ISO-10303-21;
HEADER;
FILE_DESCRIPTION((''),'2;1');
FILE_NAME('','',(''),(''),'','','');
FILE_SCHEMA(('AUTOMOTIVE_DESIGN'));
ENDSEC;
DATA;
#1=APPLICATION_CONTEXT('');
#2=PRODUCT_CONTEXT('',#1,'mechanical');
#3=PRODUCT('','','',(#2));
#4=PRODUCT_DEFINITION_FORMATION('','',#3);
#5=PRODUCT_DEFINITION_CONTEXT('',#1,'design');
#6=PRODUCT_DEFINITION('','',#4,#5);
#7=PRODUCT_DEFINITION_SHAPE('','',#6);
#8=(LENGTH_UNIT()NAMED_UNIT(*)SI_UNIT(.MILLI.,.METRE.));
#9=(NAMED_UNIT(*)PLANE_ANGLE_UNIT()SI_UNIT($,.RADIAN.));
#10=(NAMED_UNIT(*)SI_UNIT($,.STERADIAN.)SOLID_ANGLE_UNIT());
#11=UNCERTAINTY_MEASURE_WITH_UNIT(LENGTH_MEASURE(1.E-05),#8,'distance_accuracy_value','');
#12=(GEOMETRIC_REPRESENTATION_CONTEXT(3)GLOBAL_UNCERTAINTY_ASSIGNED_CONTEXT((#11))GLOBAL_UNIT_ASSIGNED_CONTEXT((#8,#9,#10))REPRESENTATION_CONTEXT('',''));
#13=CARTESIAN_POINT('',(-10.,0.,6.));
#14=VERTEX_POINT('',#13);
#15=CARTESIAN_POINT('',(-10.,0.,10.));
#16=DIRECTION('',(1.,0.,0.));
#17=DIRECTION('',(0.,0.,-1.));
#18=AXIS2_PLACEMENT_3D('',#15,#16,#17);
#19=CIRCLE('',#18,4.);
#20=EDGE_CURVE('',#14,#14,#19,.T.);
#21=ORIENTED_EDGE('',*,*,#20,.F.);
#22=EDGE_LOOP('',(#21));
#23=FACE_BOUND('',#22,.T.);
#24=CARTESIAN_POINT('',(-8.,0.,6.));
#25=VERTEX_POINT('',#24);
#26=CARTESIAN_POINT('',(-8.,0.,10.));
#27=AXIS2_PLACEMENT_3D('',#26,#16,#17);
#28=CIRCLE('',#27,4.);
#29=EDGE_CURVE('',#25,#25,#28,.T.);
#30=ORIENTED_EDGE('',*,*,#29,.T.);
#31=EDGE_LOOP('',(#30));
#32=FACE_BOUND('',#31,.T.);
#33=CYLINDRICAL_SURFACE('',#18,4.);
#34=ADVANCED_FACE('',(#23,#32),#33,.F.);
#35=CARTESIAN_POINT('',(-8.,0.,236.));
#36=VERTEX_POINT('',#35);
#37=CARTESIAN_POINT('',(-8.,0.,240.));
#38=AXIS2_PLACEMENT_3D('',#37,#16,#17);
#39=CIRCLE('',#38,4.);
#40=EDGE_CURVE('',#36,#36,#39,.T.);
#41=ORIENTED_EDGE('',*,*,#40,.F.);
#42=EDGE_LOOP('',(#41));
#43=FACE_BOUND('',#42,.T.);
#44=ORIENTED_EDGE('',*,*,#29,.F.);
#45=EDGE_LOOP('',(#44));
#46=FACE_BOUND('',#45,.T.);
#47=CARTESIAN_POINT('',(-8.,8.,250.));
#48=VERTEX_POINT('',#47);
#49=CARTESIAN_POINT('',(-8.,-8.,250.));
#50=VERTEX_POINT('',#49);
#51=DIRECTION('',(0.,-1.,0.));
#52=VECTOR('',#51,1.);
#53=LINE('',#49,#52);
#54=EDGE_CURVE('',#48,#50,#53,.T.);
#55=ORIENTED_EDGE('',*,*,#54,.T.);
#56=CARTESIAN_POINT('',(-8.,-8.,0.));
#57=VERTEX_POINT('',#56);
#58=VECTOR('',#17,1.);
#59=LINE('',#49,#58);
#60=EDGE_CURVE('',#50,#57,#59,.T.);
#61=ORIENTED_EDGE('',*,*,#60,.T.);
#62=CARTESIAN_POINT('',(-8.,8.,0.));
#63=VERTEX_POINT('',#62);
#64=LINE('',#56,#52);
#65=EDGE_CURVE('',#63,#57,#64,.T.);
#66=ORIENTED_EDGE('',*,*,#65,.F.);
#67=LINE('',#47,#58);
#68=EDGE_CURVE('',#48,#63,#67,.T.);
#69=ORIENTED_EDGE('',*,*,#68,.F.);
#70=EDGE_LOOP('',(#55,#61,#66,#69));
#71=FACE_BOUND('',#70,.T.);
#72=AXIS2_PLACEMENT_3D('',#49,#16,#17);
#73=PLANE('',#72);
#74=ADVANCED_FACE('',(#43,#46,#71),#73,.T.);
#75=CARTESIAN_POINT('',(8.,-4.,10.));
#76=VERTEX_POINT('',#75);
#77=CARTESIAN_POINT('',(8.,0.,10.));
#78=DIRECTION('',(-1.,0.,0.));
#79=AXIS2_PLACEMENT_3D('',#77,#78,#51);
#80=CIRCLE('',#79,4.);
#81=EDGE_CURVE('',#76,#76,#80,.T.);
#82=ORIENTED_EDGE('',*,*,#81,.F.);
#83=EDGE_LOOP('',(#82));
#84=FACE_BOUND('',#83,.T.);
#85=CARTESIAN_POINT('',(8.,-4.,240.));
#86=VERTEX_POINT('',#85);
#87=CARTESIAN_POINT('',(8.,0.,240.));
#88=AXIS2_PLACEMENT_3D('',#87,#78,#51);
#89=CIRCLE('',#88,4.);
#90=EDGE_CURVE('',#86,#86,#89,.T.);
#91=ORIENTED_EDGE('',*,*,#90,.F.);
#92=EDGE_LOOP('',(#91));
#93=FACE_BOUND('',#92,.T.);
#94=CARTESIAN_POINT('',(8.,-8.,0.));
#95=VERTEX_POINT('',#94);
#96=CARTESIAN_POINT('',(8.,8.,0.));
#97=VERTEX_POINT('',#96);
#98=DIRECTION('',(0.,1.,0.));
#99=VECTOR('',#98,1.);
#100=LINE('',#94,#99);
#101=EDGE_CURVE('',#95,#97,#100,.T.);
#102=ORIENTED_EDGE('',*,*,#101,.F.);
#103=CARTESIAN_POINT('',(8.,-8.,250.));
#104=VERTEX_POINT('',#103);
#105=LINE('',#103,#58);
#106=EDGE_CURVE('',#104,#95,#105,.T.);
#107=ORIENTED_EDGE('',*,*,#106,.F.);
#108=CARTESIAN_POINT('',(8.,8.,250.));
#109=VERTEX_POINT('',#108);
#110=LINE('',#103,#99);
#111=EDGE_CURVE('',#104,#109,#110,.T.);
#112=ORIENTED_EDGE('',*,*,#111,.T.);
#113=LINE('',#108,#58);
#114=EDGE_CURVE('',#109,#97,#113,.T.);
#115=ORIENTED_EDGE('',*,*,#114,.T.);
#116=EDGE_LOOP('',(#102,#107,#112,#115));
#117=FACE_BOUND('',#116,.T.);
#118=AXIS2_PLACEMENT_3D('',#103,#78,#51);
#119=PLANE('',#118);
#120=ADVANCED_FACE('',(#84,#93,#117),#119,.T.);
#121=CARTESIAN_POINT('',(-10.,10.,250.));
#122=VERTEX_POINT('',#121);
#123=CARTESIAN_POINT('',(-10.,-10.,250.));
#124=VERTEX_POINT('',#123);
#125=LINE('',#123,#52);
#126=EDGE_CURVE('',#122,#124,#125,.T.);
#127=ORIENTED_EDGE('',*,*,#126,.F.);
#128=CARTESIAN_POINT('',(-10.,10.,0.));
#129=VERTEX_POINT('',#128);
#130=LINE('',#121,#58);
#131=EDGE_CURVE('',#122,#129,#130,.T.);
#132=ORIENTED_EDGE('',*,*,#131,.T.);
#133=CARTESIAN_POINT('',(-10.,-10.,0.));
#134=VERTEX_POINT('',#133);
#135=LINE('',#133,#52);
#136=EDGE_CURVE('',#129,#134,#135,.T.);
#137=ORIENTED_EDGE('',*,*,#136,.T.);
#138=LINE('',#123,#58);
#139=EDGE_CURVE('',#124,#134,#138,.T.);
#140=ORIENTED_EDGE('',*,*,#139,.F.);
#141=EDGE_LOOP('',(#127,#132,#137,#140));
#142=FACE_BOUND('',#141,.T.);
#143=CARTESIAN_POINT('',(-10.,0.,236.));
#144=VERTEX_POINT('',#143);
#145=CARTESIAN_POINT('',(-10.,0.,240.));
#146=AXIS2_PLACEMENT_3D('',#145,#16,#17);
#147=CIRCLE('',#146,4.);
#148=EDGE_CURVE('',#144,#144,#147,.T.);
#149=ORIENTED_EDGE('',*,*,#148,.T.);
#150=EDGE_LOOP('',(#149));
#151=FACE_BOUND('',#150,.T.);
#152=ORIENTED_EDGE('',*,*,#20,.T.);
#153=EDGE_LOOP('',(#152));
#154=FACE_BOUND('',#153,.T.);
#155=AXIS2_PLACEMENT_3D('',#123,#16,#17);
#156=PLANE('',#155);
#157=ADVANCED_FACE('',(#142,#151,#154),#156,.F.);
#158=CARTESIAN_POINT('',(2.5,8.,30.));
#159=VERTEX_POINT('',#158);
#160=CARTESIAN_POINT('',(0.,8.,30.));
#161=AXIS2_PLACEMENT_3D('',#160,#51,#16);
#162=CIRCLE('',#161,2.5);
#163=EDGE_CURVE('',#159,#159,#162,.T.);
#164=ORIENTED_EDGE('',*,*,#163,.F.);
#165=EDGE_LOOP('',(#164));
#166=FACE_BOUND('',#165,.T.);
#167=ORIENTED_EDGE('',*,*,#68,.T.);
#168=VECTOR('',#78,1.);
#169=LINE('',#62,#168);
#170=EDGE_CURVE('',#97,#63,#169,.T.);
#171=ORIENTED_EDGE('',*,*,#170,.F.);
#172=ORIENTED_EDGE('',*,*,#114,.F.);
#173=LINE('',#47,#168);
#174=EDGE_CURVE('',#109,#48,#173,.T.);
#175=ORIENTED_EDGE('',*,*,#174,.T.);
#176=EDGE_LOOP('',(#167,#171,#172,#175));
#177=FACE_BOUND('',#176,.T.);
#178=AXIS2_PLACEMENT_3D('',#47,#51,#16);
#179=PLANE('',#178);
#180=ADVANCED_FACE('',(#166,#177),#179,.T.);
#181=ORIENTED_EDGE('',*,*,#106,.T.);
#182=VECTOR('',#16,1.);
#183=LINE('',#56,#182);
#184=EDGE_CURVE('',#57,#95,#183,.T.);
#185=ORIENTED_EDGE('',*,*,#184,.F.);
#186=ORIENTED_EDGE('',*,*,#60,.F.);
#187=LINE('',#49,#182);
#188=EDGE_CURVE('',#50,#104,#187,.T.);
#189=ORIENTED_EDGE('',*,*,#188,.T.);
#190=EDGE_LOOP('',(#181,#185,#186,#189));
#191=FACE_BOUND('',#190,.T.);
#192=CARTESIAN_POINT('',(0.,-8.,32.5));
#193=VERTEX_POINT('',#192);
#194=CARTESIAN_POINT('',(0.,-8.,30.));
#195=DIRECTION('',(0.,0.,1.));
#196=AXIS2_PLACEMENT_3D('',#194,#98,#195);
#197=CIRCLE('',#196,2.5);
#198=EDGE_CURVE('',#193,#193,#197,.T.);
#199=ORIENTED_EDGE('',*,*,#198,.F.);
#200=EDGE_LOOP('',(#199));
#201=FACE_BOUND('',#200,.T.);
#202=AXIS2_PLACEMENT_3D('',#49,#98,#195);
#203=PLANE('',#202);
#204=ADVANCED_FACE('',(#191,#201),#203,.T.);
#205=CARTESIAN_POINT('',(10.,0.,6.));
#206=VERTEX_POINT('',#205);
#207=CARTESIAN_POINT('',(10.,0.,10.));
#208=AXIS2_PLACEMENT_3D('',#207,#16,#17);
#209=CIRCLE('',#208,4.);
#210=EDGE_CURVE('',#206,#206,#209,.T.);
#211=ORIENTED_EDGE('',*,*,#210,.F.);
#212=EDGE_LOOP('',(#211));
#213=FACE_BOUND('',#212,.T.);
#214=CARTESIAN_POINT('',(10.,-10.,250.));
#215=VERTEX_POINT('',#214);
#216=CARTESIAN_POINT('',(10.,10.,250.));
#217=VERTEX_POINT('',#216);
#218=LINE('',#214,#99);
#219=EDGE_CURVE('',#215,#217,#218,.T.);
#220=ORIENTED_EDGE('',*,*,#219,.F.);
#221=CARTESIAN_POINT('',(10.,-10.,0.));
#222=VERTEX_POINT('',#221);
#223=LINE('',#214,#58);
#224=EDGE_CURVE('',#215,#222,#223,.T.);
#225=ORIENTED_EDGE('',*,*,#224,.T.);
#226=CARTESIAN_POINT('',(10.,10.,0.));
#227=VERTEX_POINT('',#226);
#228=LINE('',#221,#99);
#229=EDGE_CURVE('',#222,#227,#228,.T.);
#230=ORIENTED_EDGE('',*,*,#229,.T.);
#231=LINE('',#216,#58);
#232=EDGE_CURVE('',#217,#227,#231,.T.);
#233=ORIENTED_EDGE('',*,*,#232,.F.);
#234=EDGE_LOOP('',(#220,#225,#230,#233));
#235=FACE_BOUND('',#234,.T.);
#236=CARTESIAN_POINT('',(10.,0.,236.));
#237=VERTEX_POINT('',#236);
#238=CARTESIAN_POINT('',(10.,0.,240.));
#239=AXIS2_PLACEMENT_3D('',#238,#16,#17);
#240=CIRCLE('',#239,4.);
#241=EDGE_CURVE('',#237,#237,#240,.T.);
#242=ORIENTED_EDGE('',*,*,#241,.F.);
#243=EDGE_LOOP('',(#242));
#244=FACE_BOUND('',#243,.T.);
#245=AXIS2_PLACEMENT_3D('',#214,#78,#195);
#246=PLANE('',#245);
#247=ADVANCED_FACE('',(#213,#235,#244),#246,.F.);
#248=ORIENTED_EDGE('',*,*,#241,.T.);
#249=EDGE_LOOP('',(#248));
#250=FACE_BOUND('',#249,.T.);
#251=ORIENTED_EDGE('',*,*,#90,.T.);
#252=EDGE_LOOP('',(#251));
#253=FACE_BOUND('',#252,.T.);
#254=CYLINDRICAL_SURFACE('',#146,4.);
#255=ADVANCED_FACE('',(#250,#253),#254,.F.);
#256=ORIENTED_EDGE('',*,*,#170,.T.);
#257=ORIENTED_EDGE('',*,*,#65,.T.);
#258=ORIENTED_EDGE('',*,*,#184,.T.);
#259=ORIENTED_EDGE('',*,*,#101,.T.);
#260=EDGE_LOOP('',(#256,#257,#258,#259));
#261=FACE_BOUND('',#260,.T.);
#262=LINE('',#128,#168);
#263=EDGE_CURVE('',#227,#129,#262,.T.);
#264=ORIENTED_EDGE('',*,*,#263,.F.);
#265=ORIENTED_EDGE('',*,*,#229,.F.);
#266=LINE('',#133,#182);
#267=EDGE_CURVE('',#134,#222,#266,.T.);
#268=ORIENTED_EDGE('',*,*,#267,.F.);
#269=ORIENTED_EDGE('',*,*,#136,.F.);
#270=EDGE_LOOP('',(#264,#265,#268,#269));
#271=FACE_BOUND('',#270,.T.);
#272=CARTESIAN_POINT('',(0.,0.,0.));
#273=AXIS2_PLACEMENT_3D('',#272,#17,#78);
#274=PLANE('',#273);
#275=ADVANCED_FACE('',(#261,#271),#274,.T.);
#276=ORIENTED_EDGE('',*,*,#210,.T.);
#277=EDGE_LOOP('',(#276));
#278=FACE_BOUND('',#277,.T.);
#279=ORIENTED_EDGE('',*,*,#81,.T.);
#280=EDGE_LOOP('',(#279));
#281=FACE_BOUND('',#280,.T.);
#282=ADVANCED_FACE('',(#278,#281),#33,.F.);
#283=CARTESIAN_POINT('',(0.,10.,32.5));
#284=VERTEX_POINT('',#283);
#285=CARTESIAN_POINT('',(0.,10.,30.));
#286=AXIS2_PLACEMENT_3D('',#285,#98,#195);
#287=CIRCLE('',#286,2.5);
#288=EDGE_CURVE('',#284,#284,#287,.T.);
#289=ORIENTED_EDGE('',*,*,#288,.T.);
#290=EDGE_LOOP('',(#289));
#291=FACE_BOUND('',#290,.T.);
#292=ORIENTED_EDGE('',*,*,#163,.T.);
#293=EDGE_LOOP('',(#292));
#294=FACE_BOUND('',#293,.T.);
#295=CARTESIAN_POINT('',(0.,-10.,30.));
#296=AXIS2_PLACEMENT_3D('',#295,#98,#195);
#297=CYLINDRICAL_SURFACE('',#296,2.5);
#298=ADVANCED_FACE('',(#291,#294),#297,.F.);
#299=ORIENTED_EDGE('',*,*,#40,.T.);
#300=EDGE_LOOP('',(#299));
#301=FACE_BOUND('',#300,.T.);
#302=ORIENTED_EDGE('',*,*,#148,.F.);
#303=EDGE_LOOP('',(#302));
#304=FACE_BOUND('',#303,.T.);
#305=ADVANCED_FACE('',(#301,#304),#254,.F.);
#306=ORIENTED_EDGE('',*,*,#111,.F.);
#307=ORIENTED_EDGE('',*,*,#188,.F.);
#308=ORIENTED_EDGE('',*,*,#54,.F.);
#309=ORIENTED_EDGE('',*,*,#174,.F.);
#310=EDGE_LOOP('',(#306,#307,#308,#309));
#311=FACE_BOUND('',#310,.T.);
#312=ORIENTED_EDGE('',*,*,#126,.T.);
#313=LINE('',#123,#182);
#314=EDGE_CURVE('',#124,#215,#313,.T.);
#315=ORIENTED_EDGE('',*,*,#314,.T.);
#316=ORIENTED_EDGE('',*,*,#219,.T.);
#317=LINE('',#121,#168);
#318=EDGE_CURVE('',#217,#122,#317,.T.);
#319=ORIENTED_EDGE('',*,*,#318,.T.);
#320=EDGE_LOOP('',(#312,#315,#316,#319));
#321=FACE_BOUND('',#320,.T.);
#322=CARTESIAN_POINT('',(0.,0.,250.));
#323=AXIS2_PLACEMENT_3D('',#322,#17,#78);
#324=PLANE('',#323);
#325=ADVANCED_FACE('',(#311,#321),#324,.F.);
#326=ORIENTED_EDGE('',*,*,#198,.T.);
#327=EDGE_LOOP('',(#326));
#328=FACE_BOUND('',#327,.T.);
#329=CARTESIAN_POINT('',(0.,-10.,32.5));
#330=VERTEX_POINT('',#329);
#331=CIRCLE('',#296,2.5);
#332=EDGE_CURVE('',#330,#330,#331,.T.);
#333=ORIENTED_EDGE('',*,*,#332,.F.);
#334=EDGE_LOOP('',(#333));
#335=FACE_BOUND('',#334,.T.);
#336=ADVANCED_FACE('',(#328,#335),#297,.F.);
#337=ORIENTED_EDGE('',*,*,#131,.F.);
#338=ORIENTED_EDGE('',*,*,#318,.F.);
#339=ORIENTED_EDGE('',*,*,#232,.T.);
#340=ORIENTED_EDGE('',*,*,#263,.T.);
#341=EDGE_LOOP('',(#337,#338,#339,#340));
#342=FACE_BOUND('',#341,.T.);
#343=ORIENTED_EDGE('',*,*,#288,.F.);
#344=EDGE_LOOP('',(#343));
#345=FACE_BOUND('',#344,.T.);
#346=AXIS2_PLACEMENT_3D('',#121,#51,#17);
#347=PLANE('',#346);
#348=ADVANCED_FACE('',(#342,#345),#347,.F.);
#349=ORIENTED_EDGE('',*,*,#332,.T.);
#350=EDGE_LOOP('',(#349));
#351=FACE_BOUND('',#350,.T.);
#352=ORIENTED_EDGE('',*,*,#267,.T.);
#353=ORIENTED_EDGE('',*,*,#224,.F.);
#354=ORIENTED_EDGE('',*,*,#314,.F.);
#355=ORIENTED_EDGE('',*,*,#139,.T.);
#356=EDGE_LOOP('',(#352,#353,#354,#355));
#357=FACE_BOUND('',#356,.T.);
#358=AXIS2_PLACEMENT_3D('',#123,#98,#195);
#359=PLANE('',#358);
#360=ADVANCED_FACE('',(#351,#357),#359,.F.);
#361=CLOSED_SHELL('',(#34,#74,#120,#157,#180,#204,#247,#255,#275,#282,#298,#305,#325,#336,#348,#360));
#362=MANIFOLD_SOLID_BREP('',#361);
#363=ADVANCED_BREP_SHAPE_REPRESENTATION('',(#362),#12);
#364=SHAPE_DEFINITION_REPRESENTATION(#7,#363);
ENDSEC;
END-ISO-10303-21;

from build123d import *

# Parameters (mm, degrees)
SZKIC1_W                    = 20
SZKIC1_H                    = 20
SZKIC1_W_2                  = 16
SZKIC1_H_2                  = 16
DODANIE_WYCI_GNI_CIE1_DEPTH = 250
SZKIC2_R                    = 4
WYTNIJ_WYCI_GNI_CIE1_DEPTH  = 251.99800796
SZKIC3_R                    = 2.5
WYTNIJ_WYCI_GNI_CIE2_DEPTH  = 251.99800796


with BuildPart() as part:
    # Szkic1 → Dodanie-wyciągnięcie1 (new body)
    with BuildSketch(Plane.XY):
        Rectangle(SZKIC1_W, SZKIC1_H)
        Rectangle(SZKIC1_W_2, SZKIC1_H_2, mode=Mode.SUBTRACT)
    extrude(amount=DODANIE_WYCI_GNI_CIE1_DEPTH)

    # Szkic2 → Wytnij-wyciągnięcie1 (cut, through all)
    with BuildSketch(Plane(origin=(10, 0, 0), x_dir=(0, 0, -1), z_dir=(1, 0, 0))):
        with Locations((-10, 0)):
            Circle(SZKIC2_R)
        with Locations((-240, 0)):
            Circle(SZKIC2_R)
    extrude(amount=-WYTNIJ_WYCI_GNI_CIE1_DEPTH, mode=Mode.SUBTRACT)

    # Szkic3 → Wytnij-wyciągnięcie2 (cut, through all)
    with BuildSketch(Plane(origin=(0, 10, 0), x_dir=(1, 0, 0), z_dir=(0, 1, 0))):
        with Locations(Location((0, -30, 0), (0, 0, 270))):
            Circle(SZKIC3_R)
    extrude(amount=-WYTNIJ_WYCI_GNI_CIE2_DEPTH, mode=Mode.SUBTRACT)


solid = part.part
